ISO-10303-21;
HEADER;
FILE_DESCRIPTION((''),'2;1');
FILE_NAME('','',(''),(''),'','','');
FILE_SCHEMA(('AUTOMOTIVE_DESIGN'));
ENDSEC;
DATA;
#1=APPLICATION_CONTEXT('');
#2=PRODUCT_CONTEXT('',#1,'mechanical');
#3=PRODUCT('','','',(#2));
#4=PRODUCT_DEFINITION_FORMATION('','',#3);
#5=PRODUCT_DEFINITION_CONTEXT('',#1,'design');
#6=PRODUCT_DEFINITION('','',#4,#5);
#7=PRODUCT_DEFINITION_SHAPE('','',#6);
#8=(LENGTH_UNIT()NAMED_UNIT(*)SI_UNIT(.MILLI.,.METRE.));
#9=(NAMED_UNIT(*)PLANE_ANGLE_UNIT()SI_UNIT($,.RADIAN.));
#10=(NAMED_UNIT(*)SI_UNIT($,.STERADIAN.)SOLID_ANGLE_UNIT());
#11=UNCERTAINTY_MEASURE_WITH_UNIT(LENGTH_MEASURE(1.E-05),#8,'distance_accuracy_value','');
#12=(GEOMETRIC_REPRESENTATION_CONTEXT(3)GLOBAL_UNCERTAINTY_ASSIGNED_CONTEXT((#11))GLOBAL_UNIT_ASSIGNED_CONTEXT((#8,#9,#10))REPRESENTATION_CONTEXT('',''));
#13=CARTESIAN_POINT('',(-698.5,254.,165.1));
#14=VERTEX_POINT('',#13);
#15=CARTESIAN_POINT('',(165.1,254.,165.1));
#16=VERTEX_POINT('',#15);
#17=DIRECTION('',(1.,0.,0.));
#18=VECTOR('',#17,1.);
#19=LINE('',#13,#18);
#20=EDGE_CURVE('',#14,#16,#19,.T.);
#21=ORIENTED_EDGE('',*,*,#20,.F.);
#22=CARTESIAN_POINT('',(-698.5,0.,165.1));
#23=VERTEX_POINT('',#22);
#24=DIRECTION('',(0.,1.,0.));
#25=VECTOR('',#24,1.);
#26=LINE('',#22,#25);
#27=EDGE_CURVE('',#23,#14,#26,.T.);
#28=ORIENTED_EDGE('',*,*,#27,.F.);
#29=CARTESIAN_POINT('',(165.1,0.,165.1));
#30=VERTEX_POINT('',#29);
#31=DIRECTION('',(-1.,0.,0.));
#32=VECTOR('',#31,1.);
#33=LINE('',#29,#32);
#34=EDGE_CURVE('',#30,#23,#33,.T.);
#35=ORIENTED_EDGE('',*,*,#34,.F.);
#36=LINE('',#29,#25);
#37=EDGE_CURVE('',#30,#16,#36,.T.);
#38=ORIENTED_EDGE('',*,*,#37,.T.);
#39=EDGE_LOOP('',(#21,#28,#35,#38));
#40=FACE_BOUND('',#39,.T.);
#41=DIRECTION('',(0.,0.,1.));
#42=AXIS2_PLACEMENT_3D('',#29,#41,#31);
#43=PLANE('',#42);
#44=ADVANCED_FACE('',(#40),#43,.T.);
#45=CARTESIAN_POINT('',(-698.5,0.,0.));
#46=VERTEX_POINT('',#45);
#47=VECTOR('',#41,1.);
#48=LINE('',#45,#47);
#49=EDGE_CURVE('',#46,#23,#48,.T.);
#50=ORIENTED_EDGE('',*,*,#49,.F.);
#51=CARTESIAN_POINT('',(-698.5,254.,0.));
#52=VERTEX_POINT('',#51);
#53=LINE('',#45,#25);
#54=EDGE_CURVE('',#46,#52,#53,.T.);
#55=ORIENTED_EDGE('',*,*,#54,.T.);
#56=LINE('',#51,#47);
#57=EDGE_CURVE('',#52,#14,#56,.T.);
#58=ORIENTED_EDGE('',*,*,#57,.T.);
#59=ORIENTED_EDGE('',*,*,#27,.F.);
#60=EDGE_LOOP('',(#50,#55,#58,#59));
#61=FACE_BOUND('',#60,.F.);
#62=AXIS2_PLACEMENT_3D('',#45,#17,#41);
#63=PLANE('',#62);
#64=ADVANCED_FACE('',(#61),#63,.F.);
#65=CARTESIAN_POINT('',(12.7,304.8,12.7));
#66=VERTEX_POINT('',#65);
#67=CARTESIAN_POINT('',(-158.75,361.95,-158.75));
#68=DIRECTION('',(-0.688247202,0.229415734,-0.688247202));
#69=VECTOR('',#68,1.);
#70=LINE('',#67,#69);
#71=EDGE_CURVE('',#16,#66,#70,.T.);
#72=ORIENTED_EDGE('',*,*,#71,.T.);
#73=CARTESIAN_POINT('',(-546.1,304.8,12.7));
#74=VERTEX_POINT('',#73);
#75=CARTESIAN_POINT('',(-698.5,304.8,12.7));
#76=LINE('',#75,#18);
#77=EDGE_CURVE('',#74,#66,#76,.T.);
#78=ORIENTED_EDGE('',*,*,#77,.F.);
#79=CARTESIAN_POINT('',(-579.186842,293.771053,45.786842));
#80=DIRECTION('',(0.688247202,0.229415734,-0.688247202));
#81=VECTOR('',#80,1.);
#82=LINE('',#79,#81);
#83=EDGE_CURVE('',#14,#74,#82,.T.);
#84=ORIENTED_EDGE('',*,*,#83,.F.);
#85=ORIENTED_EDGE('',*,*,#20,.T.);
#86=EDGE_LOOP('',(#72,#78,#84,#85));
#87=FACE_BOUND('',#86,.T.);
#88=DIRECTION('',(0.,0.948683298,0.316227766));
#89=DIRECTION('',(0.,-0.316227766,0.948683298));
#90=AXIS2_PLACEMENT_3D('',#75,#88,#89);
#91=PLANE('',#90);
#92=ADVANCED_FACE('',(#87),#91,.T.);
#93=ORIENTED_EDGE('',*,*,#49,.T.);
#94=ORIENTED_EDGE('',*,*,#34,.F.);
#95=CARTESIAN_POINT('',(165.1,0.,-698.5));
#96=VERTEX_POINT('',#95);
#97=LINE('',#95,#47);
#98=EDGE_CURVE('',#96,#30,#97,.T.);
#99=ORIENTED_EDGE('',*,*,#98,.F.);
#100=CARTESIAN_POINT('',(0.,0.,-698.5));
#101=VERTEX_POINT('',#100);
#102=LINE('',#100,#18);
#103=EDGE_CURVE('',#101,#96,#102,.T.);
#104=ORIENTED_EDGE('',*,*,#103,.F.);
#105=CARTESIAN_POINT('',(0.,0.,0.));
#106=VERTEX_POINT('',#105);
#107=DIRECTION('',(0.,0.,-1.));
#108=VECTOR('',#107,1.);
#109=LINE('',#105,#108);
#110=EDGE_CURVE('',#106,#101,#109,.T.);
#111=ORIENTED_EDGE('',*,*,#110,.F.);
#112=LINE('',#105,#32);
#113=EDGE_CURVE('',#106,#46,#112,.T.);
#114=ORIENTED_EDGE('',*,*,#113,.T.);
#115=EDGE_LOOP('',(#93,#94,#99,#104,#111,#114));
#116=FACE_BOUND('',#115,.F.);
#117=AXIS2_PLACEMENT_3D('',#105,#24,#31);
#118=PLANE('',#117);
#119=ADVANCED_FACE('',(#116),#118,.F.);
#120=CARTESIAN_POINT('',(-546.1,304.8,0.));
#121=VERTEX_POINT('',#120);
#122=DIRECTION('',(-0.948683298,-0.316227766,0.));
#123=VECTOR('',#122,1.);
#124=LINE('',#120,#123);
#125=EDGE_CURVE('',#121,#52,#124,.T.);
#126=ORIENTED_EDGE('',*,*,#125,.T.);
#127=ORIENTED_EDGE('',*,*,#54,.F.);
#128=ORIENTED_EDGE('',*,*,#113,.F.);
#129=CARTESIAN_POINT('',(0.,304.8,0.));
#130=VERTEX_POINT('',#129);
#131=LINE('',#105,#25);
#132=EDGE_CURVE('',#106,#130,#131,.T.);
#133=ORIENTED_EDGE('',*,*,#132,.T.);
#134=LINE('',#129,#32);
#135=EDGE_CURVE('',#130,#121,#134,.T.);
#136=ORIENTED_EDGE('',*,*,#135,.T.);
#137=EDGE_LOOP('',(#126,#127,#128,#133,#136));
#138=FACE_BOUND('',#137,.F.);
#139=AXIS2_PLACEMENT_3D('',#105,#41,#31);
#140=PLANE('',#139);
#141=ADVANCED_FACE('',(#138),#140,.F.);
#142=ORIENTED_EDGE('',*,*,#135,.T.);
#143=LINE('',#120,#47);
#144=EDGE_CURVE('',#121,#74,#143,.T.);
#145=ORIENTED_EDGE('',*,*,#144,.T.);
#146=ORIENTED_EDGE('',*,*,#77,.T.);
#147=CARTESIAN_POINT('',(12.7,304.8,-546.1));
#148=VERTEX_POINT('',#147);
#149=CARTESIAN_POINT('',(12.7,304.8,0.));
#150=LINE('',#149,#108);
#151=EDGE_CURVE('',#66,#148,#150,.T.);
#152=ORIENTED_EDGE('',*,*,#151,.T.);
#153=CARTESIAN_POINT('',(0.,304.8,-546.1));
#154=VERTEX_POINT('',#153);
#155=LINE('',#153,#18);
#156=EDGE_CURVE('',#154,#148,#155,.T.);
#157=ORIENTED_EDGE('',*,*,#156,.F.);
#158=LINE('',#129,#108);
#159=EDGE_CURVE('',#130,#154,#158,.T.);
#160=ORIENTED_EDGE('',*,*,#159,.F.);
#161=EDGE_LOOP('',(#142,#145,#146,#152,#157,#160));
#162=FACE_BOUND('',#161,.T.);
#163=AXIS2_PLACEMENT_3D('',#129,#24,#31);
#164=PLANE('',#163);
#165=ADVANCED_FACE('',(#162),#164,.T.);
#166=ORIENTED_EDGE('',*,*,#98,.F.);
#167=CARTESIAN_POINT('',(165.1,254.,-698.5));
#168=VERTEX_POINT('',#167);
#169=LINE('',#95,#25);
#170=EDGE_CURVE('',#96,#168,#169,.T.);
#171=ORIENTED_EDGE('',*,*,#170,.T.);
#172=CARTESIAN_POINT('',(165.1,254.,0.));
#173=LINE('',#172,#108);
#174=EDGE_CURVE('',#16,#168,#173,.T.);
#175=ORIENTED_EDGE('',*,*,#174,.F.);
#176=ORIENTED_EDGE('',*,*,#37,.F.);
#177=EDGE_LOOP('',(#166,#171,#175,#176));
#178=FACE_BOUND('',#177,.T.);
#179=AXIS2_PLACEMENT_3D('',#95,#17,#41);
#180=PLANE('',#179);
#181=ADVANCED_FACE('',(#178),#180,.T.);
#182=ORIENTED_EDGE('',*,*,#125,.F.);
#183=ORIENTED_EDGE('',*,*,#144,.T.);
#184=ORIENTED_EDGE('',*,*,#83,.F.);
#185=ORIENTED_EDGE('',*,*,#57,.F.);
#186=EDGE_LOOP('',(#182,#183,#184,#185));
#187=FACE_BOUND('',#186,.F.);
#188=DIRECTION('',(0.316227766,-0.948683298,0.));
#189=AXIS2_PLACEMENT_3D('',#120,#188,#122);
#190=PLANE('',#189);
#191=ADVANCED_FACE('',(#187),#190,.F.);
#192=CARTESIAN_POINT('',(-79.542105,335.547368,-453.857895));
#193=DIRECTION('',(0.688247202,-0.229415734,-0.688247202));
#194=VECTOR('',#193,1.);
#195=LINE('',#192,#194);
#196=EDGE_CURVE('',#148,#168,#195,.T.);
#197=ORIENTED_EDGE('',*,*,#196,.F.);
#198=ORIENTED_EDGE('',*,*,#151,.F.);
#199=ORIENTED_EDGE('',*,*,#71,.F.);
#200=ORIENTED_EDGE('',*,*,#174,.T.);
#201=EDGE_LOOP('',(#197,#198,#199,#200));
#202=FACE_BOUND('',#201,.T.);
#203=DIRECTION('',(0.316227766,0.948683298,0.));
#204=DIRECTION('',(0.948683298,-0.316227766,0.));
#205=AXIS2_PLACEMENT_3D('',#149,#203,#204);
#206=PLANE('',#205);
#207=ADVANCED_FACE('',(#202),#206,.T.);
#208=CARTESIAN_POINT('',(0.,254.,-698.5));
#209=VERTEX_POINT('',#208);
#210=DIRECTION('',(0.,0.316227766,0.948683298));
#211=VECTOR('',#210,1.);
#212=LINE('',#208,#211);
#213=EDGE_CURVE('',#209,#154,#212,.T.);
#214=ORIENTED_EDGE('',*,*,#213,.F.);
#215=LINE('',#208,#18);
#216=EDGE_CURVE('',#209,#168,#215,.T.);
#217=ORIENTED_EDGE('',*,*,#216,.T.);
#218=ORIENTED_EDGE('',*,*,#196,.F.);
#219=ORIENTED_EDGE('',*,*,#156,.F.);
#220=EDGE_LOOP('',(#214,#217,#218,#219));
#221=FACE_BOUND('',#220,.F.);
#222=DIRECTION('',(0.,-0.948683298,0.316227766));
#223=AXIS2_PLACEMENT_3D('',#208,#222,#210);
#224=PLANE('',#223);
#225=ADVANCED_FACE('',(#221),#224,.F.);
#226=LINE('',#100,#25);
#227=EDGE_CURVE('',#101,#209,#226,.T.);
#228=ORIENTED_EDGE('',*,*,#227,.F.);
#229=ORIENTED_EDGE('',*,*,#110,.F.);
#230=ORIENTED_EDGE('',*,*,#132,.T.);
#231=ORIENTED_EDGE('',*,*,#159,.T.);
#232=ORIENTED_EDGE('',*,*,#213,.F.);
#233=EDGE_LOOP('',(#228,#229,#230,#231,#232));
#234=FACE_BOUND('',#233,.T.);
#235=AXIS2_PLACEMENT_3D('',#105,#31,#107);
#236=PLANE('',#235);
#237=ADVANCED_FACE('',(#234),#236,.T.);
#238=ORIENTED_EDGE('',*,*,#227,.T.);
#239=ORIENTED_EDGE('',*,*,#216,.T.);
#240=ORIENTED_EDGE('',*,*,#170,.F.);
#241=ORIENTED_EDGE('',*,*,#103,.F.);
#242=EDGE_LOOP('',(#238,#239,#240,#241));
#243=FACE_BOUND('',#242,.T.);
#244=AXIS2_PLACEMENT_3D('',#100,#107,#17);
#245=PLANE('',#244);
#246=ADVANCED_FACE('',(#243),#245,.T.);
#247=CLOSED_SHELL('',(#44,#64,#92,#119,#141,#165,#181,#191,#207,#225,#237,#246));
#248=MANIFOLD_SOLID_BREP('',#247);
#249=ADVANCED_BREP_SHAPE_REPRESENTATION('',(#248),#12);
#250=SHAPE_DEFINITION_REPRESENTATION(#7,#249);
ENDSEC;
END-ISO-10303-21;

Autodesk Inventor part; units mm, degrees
ref_plane "YZ Plane" through (0, 0, 0) normal (1, 0, 0) x (0, 1, 0)
ref_plane "XZ Plane" through (0, 0, 0) normal (0, 1, 0) x (-1, 0, 0)
ref_plane "XY Plane" through (0, 0, 0) normal (0, 0, 1) x (1, 0, 0)
sketch "Sketch1" plane through (0, 0, 0) normal (0, 1, 0) x (-1, 0, 0)
  line L0 (0, 0) -> (698.5, 0)
  line L1 (0, 0) -> (0, -698.5)
  line L2 (0, -698.5) -> (-165.1, -698.5)
  line L3 (698.5, 0) -> (698.5, 165.1)
  line L4 (-165.1, -698.5) -> (-165.1, 165.1)
  line L5 (-165.1, 165.1) -> (698.5, 165.1)
  dimension "d1" = 698.5
  dimension "d2" = 698.5
  dimension "d3" = 165.1
  dimension "d4" = 165.1
  dimension "d5" = 863.6
  dimension "d6" = 863.6
extrude "Extrusion1" add sketch "Sketch1" along normal blind 304.8
sketch "Sketch2" plane through (-698.5, 0, 0) normal (-1, 0, 0) x (0, 0, 1)
  line L0 (0, 304.8) -> (165.1, 304.8) projected
  line L1 (165.1, 0) -> (165.1, 304.8) projected
  line L2 (12.7, 304.8) -> (165.1, 254)
  line L3 (165.1, 254) -> (165.1, 304.8)
  line L4 (165.1, 304.8) -> (12.7, 304.8)
  point P0 (0, 0)
  dimension "d9" = 12.7
  dimension "d10" = 50.8
sketch3d "3D Sketch1"
  line L0 (-698.5, 304.8, 0) -> (0, 304.8, 0)
  line L1 (0, 304.8, 0) -> (0, 304.8, -698.5)
sweep "Sweep1" cut profiles "Sketch2" path "3D Sketch1"
sketch "Sketch3" plane through (0, 0, 0) normal (0, 0, -1) x (-1, 0, 0)
  line L0 (698.5, 304.8) -> (-12.7, 304.8) projected
  line L1 (698.5, 254) -> (698.5, 304.8) projected
  line L2 (698.5, 0) -> (698.5, 254) projected
  line L3 (546.1, 304.8) -> (698.5, 254)
  line L4 (698.5, 254) -> (698.5, 304.8)
  line L5 (698.5, 304.8) -> (546.1, 304.8)
  point P0 (0, 0)
  dimension "d13" = 152.4
  dimension "d14" = 50.8
extrude "Extrusion2" cut sketch "Sketch3" against normal through all
sketch "Sketch4" plane through (0, 0, -698.5) normal (-1, 0, 0) x (0, 0, 1)
  line L0 (0, 304.8) -> (698.5, 304.8) projected
  line L1 (0, 304.8) -> (0, 254) projected
  line L2 (0, 254) -> (152.4, 304.8)
  line L3 (152.4, 304.8) -> (0, 304.8)
  line L4 (0, 304.8) -> (0, 254)
  point P0 (698.5, 0)
  point P1 (0, 254)
  dimension "d17" = 152.4
  dimension "d18" = 50.8
extrude "Extrusion3" cut sketch "Sketch4" against normal through all
equation "\"d2\" = d1"
equation "\"d4\" = d3"
properties part number "Corner_cap_5" material "Limestone"
